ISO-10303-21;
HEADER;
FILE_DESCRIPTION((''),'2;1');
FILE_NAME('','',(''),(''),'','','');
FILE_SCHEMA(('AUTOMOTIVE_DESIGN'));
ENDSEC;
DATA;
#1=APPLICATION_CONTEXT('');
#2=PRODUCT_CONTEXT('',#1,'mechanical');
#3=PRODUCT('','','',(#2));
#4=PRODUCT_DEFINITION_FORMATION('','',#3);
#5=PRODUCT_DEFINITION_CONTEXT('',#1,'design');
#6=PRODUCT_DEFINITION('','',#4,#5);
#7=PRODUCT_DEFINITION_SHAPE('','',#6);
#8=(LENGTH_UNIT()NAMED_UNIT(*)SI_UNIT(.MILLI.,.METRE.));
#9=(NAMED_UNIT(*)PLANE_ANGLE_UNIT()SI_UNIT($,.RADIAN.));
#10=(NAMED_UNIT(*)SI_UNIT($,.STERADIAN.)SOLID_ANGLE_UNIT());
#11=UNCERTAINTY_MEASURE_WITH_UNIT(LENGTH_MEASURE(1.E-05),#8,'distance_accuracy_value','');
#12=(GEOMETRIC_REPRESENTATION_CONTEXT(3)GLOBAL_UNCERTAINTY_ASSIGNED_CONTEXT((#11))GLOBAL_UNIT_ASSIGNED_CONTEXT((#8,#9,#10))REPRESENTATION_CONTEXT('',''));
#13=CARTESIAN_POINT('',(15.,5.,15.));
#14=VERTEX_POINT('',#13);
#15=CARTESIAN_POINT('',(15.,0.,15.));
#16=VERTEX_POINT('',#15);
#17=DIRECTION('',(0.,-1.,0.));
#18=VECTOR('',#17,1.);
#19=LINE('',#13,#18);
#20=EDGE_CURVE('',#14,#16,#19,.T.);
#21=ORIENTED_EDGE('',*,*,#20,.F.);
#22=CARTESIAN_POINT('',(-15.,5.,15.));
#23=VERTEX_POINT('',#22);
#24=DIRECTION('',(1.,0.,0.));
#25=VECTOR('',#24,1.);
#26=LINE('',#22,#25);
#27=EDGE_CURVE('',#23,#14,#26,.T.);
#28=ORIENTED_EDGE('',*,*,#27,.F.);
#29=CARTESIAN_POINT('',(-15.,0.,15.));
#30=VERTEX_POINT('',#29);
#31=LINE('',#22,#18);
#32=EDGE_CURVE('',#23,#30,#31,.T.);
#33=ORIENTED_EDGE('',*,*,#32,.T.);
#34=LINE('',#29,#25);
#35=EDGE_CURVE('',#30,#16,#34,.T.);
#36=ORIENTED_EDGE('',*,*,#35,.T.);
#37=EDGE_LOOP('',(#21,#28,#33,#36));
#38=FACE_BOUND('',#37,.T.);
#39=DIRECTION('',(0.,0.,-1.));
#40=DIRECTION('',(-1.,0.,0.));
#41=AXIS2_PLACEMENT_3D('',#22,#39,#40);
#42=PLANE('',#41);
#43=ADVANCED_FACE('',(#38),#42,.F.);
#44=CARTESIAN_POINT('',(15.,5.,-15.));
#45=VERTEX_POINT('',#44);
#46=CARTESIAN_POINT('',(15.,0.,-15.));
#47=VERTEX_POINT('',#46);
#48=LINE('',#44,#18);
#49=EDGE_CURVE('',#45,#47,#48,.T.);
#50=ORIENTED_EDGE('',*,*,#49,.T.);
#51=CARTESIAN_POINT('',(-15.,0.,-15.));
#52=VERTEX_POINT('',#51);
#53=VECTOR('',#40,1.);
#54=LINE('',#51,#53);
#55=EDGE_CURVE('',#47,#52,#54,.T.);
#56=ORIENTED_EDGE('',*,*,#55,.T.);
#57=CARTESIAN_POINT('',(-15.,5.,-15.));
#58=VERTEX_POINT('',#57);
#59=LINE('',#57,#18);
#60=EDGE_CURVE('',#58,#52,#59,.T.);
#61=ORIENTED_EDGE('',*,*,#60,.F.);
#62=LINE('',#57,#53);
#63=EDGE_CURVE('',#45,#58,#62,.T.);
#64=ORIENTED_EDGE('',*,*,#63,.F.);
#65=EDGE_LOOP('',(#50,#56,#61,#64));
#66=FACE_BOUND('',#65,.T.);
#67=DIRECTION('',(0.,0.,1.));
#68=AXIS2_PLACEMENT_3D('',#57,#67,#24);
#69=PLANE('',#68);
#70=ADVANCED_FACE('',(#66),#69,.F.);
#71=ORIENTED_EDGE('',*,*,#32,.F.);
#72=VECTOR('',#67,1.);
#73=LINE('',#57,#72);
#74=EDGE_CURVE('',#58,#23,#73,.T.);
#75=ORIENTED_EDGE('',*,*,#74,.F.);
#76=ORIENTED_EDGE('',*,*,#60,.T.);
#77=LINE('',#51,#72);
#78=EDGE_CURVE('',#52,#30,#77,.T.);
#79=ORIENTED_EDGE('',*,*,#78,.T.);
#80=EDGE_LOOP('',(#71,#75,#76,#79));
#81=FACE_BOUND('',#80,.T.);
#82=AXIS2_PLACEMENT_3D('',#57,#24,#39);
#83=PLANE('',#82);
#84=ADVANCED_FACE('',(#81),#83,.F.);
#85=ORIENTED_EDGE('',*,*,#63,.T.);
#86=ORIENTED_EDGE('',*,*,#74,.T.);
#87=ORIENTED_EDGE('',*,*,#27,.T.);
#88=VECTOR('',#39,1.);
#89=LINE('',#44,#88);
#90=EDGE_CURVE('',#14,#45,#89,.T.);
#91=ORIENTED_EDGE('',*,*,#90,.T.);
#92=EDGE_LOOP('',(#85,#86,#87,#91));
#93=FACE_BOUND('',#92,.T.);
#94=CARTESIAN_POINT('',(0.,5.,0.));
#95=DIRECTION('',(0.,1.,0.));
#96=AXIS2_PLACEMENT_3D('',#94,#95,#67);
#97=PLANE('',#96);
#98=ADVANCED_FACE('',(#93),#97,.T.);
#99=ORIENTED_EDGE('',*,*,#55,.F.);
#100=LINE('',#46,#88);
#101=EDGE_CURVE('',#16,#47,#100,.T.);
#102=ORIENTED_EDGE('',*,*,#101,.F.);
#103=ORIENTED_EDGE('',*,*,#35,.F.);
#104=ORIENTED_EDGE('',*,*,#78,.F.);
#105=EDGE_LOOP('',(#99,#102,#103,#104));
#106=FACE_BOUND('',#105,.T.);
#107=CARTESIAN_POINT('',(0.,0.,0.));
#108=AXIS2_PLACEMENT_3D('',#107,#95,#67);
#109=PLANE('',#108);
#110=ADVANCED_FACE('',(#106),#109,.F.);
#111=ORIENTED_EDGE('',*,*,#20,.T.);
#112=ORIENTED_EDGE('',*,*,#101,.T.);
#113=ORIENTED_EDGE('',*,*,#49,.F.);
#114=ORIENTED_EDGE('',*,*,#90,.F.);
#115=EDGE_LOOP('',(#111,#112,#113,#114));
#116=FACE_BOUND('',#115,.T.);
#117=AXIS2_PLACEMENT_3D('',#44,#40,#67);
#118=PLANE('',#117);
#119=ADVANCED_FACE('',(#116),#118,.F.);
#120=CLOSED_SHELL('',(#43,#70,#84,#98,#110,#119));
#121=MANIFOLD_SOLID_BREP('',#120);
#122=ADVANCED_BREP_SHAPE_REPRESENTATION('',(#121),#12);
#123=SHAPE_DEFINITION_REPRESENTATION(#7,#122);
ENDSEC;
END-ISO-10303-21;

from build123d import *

# Parameters (mm, degrees)
SKETCH2_W           = 30
SKETCH2_H           = 30
BOSS_EXTRUDE1_DEPTH = 5


with BuildPart() as part:
    # Sketch2 → Boss-Extrude1 (new body)
    with BuildSketch(Plane(origin=(0, 0, 0), x_dir=(1, 0, 0), z_dir=(0, 1, 0))):
        Rectangle(SKETCH2_W, SKETCH2_H)
    extrude(amount=BOSS_EXTRUDE1_DEPTH)


solid = part.part
